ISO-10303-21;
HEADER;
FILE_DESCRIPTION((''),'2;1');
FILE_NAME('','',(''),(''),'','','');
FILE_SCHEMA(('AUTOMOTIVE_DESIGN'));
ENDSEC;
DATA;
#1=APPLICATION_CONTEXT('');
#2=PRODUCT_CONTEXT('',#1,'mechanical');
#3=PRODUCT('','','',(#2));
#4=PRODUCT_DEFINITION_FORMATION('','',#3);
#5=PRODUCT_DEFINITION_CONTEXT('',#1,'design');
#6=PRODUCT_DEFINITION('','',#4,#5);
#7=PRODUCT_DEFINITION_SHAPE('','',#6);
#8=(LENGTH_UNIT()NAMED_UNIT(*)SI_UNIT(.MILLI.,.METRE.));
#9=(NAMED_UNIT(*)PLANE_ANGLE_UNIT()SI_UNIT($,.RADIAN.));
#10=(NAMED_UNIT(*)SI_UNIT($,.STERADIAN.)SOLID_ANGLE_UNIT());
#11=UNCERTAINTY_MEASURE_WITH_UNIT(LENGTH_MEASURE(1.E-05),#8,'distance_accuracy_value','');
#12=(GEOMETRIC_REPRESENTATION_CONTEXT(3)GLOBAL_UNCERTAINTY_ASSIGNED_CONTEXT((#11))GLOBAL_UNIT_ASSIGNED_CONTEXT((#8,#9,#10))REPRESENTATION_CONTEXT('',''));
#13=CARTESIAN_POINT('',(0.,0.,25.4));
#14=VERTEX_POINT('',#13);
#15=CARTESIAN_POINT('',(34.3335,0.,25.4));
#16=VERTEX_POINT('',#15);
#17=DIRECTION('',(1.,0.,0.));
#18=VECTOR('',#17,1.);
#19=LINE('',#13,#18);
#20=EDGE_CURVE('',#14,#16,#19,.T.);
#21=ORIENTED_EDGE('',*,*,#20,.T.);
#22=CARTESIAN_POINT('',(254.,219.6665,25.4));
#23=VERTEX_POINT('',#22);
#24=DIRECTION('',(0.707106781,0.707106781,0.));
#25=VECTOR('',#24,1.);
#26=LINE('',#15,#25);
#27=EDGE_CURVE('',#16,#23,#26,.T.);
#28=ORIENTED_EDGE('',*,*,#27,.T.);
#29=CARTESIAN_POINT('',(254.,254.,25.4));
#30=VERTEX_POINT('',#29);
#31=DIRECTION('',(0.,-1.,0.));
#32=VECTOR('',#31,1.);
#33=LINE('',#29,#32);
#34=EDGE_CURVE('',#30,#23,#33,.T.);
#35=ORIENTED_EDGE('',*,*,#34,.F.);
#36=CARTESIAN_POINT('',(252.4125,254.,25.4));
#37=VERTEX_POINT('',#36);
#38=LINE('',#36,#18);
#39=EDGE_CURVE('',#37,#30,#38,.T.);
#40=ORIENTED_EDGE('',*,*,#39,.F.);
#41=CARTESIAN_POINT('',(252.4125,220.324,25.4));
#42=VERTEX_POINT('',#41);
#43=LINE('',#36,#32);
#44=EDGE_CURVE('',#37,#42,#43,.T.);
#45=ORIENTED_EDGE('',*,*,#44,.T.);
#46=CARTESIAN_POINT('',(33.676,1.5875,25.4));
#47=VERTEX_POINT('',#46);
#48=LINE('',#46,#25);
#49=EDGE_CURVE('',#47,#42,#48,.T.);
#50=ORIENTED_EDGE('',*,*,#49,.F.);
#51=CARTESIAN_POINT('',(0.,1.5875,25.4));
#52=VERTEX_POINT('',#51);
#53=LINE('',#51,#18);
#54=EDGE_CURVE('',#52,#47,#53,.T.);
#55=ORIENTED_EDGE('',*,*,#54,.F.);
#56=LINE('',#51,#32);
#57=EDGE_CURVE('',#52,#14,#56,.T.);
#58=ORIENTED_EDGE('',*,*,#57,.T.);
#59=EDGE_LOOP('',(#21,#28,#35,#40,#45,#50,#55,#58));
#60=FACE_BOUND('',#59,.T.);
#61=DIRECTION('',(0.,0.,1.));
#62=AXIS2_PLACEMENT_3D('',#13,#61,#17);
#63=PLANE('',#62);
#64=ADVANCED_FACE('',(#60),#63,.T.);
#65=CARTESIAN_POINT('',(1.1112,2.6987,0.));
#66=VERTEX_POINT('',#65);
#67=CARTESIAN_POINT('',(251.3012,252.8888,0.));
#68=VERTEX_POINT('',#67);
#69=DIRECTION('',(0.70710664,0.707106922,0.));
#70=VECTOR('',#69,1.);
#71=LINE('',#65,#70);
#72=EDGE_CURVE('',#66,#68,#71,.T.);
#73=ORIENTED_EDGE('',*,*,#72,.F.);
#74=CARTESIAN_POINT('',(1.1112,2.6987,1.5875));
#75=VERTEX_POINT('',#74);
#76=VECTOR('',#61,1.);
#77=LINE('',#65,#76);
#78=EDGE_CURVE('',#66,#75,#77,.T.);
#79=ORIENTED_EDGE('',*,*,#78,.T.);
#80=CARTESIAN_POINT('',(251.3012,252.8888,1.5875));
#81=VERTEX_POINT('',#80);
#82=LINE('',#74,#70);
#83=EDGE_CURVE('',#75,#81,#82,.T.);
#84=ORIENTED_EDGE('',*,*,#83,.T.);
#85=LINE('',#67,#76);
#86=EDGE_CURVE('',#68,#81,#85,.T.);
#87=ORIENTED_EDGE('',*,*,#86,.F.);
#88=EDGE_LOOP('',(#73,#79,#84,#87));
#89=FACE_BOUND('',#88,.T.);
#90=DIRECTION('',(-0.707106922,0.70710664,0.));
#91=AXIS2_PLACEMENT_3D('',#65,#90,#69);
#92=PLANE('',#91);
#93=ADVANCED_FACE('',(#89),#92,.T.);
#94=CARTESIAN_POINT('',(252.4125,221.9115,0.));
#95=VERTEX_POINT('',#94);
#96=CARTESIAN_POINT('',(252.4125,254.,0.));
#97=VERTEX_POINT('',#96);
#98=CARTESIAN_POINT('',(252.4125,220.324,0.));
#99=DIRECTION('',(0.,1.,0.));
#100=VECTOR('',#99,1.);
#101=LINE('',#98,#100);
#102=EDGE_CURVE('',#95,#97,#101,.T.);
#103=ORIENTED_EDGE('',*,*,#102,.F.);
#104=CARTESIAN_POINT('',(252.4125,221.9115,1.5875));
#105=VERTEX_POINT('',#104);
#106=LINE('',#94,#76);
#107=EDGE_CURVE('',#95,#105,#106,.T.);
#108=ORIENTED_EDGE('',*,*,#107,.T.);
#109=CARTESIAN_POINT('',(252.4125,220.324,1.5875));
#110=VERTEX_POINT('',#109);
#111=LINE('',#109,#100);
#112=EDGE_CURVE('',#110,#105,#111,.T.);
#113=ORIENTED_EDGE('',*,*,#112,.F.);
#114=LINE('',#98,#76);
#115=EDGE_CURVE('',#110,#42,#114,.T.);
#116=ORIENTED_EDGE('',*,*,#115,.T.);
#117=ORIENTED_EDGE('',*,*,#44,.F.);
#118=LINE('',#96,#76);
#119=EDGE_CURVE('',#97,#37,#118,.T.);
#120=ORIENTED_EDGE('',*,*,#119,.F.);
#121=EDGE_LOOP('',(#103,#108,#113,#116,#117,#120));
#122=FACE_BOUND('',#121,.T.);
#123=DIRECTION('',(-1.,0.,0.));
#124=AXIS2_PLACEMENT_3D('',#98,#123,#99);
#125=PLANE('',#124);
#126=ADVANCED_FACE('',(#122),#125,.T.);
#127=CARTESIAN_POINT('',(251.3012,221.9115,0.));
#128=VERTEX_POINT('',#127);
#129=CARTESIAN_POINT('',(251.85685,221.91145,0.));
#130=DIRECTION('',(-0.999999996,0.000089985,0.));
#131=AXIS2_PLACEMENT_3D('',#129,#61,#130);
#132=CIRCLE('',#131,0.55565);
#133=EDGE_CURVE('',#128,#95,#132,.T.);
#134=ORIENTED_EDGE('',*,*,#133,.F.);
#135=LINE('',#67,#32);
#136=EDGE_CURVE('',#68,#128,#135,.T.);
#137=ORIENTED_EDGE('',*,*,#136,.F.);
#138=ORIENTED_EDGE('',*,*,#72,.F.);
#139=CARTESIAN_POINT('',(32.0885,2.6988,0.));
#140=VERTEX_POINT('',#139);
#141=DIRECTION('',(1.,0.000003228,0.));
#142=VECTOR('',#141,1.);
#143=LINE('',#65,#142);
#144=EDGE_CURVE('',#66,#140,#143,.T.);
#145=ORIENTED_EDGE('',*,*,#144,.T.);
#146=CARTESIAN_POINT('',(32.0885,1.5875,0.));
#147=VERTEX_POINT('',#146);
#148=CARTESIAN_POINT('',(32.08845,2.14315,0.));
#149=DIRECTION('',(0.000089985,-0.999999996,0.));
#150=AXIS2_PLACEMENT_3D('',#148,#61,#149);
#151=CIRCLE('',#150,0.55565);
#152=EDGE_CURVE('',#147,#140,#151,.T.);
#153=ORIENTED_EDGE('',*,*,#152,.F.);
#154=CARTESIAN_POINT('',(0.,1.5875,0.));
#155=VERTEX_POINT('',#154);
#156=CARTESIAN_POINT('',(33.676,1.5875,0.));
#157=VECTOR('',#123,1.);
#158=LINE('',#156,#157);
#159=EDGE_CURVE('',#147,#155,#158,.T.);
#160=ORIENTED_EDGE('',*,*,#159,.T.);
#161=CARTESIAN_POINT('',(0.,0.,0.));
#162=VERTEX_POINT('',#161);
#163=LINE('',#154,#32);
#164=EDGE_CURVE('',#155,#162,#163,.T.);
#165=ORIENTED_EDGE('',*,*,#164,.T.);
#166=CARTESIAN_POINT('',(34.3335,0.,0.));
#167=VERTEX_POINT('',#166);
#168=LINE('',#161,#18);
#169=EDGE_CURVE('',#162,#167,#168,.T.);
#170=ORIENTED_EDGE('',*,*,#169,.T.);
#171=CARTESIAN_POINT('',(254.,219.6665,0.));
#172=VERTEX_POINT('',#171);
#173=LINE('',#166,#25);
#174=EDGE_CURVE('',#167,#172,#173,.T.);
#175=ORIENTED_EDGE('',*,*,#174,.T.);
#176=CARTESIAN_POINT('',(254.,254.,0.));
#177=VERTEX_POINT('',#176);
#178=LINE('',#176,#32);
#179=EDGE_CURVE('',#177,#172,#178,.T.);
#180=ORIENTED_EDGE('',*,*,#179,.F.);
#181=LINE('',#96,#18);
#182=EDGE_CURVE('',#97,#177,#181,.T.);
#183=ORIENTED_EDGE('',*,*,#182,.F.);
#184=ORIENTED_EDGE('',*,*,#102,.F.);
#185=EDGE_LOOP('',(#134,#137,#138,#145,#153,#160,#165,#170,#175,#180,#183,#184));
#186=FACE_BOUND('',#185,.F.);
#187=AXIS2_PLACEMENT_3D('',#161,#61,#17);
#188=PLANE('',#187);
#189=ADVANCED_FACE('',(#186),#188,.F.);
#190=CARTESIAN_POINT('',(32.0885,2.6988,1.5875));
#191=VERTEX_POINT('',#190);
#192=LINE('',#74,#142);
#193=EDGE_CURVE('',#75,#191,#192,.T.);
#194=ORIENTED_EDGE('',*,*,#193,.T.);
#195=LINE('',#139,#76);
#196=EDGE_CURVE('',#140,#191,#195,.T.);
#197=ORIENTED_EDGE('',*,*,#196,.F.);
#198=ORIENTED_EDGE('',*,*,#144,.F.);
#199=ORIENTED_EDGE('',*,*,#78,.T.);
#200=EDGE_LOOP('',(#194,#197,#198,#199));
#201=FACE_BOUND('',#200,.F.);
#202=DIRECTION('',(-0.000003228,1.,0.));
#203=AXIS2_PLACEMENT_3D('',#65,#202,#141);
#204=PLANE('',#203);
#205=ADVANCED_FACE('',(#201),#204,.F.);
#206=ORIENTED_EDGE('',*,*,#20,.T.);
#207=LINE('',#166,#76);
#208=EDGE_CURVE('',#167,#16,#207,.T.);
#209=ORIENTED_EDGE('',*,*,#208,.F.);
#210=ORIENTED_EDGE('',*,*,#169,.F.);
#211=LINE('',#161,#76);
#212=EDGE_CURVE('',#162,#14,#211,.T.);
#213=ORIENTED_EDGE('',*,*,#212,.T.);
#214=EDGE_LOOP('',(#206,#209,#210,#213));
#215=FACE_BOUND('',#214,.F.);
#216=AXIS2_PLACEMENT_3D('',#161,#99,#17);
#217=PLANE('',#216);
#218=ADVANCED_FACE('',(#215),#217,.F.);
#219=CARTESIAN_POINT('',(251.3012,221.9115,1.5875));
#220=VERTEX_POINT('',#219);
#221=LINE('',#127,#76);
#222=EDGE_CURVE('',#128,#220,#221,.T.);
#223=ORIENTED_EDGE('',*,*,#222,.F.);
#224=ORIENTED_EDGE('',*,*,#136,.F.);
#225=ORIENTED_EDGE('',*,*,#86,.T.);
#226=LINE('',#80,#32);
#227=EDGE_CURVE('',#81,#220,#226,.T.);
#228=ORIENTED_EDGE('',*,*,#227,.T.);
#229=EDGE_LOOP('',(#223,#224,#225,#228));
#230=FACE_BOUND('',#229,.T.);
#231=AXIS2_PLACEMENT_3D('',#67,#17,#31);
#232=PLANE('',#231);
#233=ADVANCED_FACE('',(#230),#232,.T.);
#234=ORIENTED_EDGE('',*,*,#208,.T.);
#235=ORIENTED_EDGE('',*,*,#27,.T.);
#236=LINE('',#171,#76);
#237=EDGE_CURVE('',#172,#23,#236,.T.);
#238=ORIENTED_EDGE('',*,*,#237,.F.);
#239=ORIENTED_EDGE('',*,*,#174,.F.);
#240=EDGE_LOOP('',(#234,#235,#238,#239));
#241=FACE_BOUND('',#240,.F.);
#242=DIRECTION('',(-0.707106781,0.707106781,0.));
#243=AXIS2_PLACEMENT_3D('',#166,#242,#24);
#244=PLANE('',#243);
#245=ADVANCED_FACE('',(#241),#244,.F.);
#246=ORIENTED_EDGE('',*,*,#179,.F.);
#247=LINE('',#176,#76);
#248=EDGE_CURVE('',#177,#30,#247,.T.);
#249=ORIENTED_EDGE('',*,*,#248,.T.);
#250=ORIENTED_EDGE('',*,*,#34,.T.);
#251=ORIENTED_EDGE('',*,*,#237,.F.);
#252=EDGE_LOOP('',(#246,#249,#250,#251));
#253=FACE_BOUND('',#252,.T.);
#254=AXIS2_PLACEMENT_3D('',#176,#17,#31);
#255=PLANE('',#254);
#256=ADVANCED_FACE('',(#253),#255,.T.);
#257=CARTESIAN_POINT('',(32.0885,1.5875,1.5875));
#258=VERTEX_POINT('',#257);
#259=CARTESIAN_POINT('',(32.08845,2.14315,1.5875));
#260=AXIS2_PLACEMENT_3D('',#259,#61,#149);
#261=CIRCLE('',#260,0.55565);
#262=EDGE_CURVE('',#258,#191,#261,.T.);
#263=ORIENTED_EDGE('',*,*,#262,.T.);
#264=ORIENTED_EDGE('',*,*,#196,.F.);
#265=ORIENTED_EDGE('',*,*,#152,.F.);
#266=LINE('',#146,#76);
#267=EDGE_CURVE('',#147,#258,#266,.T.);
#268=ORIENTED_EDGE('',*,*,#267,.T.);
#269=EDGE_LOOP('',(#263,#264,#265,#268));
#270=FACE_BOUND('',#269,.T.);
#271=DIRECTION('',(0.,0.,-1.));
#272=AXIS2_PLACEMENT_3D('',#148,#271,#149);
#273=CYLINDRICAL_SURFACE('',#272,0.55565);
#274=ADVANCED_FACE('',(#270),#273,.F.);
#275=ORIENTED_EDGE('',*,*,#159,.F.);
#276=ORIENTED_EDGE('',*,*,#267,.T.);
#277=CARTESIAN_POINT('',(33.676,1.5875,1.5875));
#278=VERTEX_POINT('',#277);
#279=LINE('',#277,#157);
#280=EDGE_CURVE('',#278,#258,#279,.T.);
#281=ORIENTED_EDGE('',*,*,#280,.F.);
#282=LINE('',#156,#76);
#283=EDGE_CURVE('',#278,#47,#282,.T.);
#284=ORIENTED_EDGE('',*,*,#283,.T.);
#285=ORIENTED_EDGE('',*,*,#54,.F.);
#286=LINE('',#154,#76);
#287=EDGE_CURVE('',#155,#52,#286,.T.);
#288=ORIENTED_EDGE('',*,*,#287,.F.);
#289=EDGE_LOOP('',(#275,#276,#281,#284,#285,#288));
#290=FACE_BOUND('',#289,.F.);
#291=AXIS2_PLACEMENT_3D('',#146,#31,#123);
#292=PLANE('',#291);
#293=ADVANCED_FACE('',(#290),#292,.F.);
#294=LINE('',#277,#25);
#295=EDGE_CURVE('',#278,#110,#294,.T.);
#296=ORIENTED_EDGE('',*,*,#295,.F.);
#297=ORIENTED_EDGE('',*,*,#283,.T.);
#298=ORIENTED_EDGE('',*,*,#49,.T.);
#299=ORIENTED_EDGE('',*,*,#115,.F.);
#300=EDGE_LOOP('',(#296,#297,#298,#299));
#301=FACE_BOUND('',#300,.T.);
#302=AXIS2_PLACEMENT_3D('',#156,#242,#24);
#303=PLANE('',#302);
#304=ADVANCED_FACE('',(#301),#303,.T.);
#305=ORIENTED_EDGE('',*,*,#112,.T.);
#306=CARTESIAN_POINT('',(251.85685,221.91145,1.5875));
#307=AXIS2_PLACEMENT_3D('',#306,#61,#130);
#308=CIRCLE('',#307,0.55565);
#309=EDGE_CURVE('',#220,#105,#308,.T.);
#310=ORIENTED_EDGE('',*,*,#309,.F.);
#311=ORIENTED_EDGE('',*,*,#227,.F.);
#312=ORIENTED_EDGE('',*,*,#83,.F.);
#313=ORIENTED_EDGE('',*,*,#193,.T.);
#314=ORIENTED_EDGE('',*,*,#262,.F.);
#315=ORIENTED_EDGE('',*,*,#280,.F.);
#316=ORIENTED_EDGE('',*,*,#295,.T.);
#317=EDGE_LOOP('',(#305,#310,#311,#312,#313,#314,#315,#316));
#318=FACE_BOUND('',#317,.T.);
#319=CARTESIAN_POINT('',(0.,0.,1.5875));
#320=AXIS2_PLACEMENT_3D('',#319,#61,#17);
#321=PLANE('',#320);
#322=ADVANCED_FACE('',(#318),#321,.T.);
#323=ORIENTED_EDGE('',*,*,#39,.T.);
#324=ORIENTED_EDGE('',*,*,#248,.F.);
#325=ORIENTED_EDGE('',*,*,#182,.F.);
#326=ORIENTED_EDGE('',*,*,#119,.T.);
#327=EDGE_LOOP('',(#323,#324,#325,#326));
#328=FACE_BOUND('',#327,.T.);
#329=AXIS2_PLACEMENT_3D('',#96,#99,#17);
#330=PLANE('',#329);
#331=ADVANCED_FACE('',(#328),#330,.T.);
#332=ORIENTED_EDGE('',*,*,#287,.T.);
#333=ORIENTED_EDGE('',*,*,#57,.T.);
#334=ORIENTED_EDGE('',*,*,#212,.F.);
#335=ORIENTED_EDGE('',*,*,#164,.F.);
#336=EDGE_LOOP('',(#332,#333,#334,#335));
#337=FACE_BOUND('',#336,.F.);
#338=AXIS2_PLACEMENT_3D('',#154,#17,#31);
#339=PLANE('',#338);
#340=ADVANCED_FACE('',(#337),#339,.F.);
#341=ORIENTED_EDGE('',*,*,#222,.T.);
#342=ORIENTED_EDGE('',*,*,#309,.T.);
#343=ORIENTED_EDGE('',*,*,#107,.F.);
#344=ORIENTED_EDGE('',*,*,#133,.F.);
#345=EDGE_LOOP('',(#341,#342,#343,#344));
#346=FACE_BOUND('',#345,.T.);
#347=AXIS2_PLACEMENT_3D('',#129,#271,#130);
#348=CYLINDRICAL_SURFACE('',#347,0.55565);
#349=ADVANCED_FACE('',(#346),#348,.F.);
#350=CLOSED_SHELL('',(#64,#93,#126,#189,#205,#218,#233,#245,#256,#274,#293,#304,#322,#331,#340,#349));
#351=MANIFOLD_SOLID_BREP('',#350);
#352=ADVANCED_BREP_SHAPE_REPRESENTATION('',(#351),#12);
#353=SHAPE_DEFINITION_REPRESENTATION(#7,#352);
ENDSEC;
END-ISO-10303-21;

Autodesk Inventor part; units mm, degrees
ref_plane "YZ Plane" through (0, 0, 0) normal (1, 0, 0) x (0, 1, 0)
ref_plane "XZ Plane" through (0, 0, 0) normal (0, 1, 0) x (-1, 0, 0)
ref_plane "XY Plane" through (0, 0, 0) normal (0, 0, 1) x (1, 0, 0)
sketch "Sketch1" plane through (0, 0, 0) normal (0, 0, 1) x (1, 0, 0)
  line L0 (0, 0) -> (34.3335, 0)
  line L1 (33.676, 1.5875) -> (0, 1.5875)
  line L2 (0, 1.5875) -> (0, 0)
  line L3 (34.3335, 0) -> (254, 219.6665)
  line L4 (1.1112, 2.6987) -> (251.3012, 252.8888)
  line L5 (33.676, 1.5875) -> (252.4125, 220.324)
  line L6 (1.1112, 2.6987) -> (32.0885, 2.6988)
  arc A0 (32.0885, 1.5875) -> (32.0885, 2.6988) centre (32.0885, 2.1431) ccw
  line L7 (252.4125, 220.324) -> (252.4125, 254)
  line L8 (252.4125, 254) -> (254, 254)
  line L9 (254, 254) -> (254, 219.6665)
  line L10 (251.3012, 252.8888) -> (251.3012, 221.9115)
  arc A1 (251.3012, 221.9115) -> (252.4125, 221.9115) centre (251.8569, 221.9115) ccw
  dimension "d0" = 25.4
  dimension "d1" = 135
  dimension "d2" = 1.5875
  dimension "d3" = 1.5875
  dimension "d4" = 1.1113
  dimension "d5" = 1.5875
  dimension "d6" = 1.5875
  dimension "d7" = 254
  dimension "d9" = 1.1113
  dimension "d10" = 1.5875
extrude "Extrusion1" add sketch "Sketch1" along normal blind 1.5875 contours A0 L6 L4 L10 A1 L7 L5 L1
extrude "Extrusion2" add sketch "Sketch1" along normal blind 25.4 contours L2 L1 L5 L7 L8 L9 L3 L0
equation "\"d3\" = d2"
equation "\"d4\" = 0.7 * d2"
equation "\"d5\" = d2"
equation "\"d6\" = d2"
equation "\"d9\" = d4"
equation "\"d10\" = d6"
properties part number "electronics board support outside"
